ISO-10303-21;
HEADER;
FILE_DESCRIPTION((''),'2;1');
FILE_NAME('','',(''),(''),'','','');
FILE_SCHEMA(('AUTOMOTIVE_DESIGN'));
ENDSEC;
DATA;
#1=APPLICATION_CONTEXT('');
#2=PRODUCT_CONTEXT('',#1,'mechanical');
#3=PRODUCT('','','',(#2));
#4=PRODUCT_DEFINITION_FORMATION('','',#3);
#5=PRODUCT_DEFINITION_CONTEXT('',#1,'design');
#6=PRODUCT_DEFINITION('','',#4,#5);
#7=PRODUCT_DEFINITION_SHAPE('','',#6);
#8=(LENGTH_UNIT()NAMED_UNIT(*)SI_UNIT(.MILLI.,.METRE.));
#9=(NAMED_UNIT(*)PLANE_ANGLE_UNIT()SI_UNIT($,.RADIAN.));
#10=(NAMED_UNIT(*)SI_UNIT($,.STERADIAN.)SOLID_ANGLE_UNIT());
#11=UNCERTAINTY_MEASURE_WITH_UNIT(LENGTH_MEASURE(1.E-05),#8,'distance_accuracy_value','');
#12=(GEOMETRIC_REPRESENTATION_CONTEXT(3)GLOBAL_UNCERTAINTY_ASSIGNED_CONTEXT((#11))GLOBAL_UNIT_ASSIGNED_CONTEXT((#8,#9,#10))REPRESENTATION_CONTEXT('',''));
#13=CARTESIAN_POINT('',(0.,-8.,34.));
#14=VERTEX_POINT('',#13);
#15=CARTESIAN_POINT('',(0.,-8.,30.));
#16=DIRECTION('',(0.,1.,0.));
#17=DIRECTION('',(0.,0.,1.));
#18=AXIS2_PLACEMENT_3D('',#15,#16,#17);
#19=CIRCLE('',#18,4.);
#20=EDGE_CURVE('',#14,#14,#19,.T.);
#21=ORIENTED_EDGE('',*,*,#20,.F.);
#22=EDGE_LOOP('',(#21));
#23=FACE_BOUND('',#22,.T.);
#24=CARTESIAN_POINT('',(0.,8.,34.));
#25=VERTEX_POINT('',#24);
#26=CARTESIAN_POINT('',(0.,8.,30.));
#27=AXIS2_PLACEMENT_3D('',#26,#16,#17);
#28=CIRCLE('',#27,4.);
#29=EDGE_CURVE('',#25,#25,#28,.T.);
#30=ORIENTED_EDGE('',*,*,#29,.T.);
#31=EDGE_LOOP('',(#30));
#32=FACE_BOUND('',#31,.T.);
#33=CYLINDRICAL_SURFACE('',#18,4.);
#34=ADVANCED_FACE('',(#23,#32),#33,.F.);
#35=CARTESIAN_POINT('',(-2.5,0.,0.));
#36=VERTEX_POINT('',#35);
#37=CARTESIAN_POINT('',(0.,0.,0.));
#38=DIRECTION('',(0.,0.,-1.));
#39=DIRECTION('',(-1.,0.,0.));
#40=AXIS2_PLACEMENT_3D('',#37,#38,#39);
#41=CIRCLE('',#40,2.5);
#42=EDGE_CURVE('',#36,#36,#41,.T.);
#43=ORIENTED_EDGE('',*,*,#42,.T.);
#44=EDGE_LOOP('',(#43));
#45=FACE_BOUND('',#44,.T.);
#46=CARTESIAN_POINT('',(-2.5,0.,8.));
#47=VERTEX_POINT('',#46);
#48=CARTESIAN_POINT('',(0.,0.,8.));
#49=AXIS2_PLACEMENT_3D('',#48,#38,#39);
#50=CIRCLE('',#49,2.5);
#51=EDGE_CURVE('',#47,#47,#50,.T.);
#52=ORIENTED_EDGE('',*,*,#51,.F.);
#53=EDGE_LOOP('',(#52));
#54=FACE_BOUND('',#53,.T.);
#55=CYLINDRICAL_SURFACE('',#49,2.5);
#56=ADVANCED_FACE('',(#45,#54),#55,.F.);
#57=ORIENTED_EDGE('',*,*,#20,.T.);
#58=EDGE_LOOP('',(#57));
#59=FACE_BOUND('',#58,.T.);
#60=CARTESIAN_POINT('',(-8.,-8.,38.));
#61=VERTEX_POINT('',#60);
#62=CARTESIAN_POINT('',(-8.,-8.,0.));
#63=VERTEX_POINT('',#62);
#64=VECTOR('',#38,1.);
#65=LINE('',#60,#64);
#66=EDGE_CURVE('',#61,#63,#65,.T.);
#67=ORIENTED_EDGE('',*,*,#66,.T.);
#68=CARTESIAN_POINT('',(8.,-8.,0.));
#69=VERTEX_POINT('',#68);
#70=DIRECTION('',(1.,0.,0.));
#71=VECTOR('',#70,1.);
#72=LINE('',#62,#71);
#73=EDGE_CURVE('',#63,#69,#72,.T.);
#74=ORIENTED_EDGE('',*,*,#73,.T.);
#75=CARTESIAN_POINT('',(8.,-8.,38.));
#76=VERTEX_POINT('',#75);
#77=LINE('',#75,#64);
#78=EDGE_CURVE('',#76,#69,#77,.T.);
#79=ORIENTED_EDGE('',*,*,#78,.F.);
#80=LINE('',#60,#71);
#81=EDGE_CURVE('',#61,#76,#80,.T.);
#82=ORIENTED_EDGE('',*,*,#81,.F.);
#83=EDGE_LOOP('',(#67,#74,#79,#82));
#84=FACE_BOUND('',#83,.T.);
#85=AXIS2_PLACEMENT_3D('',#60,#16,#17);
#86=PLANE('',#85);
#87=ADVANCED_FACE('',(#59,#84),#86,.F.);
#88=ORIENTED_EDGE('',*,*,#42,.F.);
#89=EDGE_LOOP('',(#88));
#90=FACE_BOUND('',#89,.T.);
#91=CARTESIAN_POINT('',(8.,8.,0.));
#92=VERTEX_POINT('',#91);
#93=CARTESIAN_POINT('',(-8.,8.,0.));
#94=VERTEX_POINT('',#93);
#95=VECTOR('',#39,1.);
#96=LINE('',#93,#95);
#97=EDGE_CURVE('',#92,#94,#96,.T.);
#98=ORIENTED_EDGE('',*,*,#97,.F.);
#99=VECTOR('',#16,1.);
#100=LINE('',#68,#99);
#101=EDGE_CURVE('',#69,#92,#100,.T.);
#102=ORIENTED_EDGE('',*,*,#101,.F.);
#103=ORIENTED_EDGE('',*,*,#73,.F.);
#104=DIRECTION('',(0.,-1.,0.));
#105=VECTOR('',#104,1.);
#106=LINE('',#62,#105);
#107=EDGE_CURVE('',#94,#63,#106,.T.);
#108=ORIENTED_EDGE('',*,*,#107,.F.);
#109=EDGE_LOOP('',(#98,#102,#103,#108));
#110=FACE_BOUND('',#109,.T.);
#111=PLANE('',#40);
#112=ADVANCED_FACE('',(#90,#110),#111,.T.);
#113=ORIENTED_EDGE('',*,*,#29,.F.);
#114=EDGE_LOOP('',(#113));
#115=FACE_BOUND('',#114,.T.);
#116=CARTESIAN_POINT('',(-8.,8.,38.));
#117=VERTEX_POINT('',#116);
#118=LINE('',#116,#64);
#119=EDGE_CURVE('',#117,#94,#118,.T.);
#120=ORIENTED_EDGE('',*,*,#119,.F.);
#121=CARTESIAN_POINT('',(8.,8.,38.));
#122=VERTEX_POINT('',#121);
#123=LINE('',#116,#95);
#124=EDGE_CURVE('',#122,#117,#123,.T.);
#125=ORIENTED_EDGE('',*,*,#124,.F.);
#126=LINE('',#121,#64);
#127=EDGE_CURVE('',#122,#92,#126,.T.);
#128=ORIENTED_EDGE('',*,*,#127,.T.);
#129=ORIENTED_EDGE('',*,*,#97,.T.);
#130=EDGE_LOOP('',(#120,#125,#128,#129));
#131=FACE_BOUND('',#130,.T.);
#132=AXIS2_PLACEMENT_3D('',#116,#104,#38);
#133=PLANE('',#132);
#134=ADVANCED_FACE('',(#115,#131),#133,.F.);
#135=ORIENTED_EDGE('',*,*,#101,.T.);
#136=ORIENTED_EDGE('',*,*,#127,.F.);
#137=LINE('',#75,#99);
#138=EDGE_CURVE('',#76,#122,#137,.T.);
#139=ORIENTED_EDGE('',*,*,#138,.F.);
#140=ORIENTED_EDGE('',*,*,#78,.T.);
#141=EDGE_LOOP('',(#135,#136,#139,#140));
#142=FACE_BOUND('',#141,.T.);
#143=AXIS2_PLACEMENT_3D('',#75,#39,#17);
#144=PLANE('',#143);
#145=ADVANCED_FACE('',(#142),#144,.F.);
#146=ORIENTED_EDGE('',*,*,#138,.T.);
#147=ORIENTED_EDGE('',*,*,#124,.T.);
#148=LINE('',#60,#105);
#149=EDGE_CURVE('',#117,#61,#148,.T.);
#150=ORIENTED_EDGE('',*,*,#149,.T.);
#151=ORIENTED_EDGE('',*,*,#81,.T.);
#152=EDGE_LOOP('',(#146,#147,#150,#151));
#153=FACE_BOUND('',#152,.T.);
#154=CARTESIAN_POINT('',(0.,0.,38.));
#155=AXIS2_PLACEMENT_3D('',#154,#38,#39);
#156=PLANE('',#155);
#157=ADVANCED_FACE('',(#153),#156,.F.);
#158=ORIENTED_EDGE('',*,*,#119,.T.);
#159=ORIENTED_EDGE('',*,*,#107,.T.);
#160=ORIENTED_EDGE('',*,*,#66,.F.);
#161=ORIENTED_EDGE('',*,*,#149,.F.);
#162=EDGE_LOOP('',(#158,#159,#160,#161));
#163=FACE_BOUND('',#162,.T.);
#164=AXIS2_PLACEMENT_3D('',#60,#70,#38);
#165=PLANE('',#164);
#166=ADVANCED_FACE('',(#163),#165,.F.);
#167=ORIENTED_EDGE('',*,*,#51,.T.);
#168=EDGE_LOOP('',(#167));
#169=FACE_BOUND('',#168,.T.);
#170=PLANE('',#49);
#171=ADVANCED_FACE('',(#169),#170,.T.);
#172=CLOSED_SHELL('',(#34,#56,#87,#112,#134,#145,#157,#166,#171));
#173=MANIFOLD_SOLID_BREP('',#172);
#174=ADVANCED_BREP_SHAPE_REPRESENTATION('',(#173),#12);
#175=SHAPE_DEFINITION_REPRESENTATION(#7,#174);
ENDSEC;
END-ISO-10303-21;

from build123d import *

# Parameters (mm, degrees)
SKETCH1_W                             = 16
SKETCH1_H                             = 16
SHAFT_SUPPORT_DEPTH                   = 38
D8_GUIDE_SHAFT_SEAT_DEPTH             = 40.648455203
D8_GUIDE_SHAFT_SEAT_DEPTH_BACK        = 40.648455203
SKETCH2_R                             = 4
SKETCH3_R                             = 2.5
M5_BOTTOM_THREAD_MAJOR_ENVELOPE_DEPTH = 8


with BuildPart() as part:
    # Sketch1 → Shaft_Support (new body)
    with BuildSketch(Plane.XY):
        Rectangle(SKETCH1_W, SKETCH1_H)
    extrude(amount=SHAFT_SUPPORT_DEPTH)

    # Sketch2 → D8_Guide_Shaft_Seat (cut, two sides: drawn at the far end of the back side and taken through both)
    with BuildSketch(Plane(origin=(0, 0, 0), x_dir=(1, 0, 0), z_dir=(0, 1, 0)).offset(-D8_GUIDE_SHAFT_SEAT_DEPTH_BACK)):
        with Locations(Location((0, -30, 0), (0, 0, 270))):
            Circle(SKETCH2_R)
    extrude(amount=D8_GUIDE_SHAFT_SEAT_DEPTH + D8_GUIDE_SHAFT_SEAT_DEPTH_BACK, mode=Mode.SUBTRACT)

    # Sketch3 → M5_Bottom_Thread_Major_Envelope (cut)
    with BuildSketch(Plane(origin=(0, 0, 0), x_dir=(-1, 0, 0), z_dir=(0, 0, -1))):
        Circle(SKETCH3_R)
    extrude(amount=-M5_BOTTOM_THREAD_MAJOR_ENVELOPE_DEPTH, mode=Mode.SUBTRACT)


solid = part.part
